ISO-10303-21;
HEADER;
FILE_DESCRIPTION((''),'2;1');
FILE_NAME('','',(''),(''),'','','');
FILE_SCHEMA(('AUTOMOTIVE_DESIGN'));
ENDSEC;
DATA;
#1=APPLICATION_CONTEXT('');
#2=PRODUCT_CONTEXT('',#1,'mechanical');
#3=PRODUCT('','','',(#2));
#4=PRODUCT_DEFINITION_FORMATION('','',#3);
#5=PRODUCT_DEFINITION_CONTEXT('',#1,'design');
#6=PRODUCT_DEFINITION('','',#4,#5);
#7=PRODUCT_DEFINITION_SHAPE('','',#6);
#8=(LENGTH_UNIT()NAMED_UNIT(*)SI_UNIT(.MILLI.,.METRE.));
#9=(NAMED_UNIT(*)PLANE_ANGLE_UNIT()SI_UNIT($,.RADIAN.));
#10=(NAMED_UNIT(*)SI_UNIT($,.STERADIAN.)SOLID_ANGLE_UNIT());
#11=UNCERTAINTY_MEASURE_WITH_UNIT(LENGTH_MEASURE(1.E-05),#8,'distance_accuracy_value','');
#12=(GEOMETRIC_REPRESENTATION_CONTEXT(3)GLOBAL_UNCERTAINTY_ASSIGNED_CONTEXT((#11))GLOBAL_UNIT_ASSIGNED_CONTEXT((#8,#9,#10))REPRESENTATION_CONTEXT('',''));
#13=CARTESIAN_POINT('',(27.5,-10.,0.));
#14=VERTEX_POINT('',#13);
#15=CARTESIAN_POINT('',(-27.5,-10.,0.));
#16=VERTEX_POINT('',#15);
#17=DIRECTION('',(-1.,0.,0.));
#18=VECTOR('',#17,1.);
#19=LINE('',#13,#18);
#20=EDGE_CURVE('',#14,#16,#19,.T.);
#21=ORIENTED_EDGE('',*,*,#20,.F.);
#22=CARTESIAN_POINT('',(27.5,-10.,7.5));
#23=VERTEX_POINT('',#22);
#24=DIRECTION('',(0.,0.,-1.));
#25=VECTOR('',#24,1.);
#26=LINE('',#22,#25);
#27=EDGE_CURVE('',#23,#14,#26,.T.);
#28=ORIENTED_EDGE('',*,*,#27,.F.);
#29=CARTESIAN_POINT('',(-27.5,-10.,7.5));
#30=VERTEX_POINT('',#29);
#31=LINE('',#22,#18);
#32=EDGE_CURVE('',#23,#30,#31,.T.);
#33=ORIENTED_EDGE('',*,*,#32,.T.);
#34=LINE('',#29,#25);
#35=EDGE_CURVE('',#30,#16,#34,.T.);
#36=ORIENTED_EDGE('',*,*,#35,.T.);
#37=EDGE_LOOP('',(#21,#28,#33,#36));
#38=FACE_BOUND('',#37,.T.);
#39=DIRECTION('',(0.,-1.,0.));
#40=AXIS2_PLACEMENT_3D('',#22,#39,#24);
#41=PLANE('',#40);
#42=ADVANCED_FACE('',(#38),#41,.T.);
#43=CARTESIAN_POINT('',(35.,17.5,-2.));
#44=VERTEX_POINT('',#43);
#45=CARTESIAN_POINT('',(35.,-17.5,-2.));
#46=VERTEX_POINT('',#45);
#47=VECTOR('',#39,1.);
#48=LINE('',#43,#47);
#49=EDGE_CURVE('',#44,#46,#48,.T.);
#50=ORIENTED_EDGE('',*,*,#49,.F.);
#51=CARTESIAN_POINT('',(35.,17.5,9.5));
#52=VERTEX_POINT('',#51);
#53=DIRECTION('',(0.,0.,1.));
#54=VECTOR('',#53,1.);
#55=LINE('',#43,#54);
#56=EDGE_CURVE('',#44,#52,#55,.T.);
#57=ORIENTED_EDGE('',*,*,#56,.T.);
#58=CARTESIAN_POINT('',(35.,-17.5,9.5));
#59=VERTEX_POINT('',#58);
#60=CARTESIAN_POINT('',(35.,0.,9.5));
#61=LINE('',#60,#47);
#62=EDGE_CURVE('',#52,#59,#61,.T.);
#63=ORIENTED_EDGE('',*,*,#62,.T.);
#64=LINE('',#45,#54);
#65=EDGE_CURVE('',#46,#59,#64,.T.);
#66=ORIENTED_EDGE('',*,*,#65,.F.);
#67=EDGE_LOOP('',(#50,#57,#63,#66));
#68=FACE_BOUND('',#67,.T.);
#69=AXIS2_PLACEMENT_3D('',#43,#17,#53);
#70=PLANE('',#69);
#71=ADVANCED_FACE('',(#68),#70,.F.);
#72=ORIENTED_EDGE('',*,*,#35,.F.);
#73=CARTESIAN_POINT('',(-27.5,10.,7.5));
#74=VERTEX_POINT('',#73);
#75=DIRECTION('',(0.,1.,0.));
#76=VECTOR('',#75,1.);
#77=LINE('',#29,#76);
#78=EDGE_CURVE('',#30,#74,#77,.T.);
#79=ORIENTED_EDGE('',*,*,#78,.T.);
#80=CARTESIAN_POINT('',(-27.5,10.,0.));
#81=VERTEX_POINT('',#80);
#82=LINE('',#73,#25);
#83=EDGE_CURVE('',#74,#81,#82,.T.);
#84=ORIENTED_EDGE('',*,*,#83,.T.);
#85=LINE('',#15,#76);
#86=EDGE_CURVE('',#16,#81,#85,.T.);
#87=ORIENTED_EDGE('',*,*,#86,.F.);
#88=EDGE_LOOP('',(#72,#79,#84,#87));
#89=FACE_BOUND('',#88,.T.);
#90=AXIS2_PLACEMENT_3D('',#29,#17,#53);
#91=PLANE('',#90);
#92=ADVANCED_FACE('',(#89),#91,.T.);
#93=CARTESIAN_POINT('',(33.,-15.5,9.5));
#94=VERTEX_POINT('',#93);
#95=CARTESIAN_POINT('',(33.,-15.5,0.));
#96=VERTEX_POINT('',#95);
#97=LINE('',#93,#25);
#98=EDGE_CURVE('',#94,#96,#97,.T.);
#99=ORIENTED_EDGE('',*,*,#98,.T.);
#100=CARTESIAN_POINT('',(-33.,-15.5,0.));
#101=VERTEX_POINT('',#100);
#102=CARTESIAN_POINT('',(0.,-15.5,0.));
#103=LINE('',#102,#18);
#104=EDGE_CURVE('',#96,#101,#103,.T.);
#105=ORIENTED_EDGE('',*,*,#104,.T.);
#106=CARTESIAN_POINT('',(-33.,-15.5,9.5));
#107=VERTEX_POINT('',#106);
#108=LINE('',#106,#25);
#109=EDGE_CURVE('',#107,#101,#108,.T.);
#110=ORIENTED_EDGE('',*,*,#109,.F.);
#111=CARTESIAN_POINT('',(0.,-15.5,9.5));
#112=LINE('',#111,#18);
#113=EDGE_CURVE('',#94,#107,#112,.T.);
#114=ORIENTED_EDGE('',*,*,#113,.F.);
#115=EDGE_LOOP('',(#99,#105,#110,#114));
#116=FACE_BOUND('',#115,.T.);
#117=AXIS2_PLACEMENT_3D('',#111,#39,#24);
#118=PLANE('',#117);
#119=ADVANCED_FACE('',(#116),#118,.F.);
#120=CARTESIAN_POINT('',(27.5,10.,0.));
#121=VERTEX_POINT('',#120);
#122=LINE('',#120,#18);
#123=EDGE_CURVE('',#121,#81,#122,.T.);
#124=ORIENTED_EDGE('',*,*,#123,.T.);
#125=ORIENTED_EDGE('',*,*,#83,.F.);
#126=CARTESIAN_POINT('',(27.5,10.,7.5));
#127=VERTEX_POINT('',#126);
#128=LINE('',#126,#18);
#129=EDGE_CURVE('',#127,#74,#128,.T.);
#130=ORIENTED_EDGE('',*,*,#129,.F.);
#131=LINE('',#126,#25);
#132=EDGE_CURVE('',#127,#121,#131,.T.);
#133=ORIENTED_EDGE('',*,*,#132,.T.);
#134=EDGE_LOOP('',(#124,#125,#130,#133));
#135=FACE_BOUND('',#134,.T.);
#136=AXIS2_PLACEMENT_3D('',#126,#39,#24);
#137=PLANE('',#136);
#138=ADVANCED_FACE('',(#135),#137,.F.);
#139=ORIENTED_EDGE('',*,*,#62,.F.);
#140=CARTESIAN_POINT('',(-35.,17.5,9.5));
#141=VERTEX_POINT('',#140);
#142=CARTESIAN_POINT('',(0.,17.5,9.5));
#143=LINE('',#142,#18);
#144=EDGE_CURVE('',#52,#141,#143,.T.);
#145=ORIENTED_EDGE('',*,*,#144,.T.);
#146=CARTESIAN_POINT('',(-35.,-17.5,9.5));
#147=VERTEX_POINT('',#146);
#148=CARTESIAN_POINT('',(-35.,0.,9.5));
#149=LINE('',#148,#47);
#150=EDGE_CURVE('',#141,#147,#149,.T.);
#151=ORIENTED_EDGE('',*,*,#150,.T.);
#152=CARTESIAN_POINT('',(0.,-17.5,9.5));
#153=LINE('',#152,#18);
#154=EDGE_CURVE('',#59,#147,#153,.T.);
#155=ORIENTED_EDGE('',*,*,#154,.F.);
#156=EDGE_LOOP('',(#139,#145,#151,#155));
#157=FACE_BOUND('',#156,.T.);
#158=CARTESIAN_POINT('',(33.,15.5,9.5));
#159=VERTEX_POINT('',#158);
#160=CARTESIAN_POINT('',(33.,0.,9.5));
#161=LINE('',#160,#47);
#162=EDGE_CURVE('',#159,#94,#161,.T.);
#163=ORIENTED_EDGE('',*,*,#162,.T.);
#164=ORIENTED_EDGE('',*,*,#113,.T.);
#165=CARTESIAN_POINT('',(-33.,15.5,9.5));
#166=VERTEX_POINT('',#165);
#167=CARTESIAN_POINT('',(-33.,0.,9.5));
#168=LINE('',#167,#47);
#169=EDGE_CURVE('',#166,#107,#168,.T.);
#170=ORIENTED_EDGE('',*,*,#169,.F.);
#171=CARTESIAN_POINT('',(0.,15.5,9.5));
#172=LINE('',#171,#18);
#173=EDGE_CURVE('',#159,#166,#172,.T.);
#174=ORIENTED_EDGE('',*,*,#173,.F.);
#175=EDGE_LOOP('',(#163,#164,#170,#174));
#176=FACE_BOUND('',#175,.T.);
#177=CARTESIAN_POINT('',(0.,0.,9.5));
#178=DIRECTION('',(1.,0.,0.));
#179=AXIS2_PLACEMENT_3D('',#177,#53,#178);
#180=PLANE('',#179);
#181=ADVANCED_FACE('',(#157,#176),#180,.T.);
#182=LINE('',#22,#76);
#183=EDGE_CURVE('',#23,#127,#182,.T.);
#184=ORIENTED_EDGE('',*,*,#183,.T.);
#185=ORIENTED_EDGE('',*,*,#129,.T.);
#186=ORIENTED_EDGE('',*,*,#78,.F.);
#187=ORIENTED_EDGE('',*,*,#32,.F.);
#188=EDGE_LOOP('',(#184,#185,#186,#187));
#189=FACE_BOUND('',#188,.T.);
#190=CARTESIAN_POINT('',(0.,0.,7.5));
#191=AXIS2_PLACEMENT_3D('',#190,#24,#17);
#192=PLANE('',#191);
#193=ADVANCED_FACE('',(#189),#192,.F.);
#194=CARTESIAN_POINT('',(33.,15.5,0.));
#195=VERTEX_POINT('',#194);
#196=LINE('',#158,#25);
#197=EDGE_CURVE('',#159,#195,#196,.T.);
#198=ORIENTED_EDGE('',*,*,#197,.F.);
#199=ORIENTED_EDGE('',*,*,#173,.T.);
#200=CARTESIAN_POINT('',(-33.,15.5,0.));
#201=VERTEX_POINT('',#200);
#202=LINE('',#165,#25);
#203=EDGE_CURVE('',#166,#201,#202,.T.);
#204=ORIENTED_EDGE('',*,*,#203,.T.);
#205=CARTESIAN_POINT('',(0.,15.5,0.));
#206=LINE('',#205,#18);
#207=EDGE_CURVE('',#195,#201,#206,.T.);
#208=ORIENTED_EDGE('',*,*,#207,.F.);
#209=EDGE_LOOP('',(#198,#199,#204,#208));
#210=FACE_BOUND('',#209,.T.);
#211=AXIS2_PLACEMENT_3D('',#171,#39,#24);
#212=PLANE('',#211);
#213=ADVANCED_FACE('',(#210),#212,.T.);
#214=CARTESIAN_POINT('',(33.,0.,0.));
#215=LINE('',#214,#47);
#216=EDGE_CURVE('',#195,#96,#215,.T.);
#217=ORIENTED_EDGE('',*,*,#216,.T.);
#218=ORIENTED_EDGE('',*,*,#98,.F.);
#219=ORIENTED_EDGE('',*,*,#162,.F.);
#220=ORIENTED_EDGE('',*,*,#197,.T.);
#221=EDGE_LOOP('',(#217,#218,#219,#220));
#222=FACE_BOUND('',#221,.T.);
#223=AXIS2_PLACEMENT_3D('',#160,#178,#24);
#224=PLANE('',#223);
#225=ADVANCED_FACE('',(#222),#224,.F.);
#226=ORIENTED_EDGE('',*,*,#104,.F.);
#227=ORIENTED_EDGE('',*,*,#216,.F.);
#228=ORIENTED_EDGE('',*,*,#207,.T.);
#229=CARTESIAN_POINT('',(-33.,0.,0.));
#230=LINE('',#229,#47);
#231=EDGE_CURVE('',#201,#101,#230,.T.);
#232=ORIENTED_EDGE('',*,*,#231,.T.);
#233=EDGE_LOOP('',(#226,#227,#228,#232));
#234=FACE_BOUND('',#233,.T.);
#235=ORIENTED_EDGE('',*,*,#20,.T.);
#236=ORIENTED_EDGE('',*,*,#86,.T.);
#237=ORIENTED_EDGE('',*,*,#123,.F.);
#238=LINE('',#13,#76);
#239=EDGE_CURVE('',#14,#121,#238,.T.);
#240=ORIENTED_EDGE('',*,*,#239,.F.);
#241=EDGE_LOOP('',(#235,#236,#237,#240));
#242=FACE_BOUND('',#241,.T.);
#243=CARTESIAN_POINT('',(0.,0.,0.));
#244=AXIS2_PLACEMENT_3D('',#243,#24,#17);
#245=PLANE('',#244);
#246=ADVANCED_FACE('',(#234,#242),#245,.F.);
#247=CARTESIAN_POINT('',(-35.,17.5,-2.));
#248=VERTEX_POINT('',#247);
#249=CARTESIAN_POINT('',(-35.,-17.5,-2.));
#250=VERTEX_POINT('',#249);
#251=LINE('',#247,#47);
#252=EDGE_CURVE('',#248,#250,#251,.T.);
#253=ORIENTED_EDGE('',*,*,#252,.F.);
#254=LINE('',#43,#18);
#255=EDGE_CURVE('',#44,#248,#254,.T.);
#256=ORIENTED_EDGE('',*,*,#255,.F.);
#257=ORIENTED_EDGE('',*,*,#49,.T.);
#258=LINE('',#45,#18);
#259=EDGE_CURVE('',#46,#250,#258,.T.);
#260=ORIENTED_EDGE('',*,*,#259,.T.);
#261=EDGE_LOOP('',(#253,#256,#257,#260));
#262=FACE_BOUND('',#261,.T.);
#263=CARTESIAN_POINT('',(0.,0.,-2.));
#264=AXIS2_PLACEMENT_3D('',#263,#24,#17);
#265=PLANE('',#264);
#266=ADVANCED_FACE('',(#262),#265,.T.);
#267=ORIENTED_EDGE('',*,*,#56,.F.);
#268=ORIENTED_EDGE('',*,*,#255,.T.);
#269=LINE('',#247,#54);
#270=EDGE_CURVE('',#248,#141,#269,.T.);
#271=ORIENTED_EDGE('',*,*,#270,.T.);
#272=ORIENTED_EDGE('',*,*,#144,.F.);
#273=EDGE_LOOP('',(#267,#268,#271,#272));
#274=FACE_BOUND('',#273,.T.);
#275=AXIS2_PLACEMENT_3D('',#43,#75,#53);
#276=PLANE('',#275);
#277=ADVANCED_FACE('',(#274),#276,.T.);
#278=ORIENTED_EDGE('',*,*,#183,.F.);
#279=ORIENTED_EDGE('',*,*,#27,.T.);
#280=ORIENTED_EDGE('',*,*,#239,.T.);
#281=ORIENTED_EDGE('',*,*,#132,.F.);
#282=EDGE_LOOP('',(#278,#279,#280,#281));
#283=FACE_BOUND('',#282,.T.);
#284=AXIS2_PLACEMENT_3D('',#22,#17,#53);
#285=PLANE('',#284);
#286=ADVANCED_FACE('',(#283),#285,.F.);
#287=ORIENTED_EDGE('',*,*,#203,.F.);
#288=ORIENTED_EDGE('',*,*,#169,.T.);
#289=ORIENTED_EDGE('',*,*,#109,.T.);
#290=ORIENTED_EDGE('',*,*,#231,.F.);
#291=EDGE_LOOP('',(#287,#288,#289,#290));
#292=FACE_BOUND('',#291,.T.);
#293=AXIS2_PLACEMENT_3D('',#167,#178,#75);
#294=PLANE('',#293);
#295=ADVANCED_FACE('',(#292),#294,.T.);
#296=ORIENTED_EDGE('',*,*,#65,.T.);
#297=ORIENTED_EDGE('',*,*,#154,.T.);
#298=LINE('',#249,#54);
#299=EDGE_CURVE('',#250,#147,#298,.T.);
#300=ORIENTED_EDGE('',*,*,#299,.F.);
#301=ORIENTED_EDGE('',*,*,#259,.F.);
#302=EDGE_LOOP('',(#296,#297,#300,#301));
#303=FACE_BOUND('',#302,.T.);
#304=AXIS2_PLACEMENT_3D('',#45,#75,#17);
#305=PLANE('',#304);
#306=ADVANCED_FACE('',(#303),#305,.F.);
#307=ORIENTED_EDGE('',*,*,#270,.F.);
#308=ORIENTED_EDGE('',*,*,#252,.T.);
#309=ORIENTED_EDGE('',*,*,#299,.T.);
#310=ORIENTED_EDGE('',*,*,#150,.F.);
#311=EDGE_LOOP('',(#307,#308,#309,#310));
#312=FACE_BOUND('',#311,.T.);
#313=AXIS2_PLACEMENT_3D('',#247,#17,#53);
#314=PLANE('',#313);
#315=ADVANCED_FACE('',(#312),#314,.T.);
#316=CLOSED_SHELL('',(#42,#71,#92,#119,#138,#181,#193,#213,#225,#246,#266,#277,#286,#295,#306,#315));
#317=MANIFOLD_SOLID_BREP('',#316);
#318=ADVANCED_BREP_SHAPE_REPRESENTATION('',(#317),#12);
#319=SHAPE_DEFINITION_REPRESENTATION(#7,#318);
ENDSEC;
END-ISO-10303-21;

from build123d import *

# Parameters (mm, degrees)
SKETCH1_W           = 70
SKETCH1_H           = 35
BOSS_EXTRUDE1_DEPTH = 2
SKETCH1_3_W         = 70
SKETCH1_3_H         = 35
SKETCH1_3_W_2       = 66
SKETCH1_3_H_2       = 31
BOSS_EXTRUDE2_DEPTH = 9.5
SKETCH1_4_W         = 55
SKETCH1_4_H         = 20
BOSS_EXTRUDE3_DEPTH = 7.5


with BuildPart() as part:
    # Sketch1 → Boss-Extrude1 (new body)
    with BuildSketch(Plane.XY):
        Rectangle(SKETCH1_W, SKETCH1_H)
    extrude(amount=-BOSS_EXTRUDE1_DEPTH)

    # Sketch1<3> → Boss-Extrude2 (add)
    with BuildSketch(Plane.XY):
        Rectangle(SKETCH1_3_W, SKETCH1_3_H)
        Rectangle(SKETCH1_3_W_2, SKETCH1_3_H_2, mode=Mode.SUBTRACT)
    extrude(amount=BOSS_EXTRUDE2_DEPTH)

    # Sketch1<4> → Boss-Extrude3 (add)
    with BuildSketch(Plane.XY):
        Rectangle(SKETCH1_4_W, SKETCH1_4_H)
    extrude(amount=BOSS_EXTRUDE3_DEPTH)


solid = part.part
